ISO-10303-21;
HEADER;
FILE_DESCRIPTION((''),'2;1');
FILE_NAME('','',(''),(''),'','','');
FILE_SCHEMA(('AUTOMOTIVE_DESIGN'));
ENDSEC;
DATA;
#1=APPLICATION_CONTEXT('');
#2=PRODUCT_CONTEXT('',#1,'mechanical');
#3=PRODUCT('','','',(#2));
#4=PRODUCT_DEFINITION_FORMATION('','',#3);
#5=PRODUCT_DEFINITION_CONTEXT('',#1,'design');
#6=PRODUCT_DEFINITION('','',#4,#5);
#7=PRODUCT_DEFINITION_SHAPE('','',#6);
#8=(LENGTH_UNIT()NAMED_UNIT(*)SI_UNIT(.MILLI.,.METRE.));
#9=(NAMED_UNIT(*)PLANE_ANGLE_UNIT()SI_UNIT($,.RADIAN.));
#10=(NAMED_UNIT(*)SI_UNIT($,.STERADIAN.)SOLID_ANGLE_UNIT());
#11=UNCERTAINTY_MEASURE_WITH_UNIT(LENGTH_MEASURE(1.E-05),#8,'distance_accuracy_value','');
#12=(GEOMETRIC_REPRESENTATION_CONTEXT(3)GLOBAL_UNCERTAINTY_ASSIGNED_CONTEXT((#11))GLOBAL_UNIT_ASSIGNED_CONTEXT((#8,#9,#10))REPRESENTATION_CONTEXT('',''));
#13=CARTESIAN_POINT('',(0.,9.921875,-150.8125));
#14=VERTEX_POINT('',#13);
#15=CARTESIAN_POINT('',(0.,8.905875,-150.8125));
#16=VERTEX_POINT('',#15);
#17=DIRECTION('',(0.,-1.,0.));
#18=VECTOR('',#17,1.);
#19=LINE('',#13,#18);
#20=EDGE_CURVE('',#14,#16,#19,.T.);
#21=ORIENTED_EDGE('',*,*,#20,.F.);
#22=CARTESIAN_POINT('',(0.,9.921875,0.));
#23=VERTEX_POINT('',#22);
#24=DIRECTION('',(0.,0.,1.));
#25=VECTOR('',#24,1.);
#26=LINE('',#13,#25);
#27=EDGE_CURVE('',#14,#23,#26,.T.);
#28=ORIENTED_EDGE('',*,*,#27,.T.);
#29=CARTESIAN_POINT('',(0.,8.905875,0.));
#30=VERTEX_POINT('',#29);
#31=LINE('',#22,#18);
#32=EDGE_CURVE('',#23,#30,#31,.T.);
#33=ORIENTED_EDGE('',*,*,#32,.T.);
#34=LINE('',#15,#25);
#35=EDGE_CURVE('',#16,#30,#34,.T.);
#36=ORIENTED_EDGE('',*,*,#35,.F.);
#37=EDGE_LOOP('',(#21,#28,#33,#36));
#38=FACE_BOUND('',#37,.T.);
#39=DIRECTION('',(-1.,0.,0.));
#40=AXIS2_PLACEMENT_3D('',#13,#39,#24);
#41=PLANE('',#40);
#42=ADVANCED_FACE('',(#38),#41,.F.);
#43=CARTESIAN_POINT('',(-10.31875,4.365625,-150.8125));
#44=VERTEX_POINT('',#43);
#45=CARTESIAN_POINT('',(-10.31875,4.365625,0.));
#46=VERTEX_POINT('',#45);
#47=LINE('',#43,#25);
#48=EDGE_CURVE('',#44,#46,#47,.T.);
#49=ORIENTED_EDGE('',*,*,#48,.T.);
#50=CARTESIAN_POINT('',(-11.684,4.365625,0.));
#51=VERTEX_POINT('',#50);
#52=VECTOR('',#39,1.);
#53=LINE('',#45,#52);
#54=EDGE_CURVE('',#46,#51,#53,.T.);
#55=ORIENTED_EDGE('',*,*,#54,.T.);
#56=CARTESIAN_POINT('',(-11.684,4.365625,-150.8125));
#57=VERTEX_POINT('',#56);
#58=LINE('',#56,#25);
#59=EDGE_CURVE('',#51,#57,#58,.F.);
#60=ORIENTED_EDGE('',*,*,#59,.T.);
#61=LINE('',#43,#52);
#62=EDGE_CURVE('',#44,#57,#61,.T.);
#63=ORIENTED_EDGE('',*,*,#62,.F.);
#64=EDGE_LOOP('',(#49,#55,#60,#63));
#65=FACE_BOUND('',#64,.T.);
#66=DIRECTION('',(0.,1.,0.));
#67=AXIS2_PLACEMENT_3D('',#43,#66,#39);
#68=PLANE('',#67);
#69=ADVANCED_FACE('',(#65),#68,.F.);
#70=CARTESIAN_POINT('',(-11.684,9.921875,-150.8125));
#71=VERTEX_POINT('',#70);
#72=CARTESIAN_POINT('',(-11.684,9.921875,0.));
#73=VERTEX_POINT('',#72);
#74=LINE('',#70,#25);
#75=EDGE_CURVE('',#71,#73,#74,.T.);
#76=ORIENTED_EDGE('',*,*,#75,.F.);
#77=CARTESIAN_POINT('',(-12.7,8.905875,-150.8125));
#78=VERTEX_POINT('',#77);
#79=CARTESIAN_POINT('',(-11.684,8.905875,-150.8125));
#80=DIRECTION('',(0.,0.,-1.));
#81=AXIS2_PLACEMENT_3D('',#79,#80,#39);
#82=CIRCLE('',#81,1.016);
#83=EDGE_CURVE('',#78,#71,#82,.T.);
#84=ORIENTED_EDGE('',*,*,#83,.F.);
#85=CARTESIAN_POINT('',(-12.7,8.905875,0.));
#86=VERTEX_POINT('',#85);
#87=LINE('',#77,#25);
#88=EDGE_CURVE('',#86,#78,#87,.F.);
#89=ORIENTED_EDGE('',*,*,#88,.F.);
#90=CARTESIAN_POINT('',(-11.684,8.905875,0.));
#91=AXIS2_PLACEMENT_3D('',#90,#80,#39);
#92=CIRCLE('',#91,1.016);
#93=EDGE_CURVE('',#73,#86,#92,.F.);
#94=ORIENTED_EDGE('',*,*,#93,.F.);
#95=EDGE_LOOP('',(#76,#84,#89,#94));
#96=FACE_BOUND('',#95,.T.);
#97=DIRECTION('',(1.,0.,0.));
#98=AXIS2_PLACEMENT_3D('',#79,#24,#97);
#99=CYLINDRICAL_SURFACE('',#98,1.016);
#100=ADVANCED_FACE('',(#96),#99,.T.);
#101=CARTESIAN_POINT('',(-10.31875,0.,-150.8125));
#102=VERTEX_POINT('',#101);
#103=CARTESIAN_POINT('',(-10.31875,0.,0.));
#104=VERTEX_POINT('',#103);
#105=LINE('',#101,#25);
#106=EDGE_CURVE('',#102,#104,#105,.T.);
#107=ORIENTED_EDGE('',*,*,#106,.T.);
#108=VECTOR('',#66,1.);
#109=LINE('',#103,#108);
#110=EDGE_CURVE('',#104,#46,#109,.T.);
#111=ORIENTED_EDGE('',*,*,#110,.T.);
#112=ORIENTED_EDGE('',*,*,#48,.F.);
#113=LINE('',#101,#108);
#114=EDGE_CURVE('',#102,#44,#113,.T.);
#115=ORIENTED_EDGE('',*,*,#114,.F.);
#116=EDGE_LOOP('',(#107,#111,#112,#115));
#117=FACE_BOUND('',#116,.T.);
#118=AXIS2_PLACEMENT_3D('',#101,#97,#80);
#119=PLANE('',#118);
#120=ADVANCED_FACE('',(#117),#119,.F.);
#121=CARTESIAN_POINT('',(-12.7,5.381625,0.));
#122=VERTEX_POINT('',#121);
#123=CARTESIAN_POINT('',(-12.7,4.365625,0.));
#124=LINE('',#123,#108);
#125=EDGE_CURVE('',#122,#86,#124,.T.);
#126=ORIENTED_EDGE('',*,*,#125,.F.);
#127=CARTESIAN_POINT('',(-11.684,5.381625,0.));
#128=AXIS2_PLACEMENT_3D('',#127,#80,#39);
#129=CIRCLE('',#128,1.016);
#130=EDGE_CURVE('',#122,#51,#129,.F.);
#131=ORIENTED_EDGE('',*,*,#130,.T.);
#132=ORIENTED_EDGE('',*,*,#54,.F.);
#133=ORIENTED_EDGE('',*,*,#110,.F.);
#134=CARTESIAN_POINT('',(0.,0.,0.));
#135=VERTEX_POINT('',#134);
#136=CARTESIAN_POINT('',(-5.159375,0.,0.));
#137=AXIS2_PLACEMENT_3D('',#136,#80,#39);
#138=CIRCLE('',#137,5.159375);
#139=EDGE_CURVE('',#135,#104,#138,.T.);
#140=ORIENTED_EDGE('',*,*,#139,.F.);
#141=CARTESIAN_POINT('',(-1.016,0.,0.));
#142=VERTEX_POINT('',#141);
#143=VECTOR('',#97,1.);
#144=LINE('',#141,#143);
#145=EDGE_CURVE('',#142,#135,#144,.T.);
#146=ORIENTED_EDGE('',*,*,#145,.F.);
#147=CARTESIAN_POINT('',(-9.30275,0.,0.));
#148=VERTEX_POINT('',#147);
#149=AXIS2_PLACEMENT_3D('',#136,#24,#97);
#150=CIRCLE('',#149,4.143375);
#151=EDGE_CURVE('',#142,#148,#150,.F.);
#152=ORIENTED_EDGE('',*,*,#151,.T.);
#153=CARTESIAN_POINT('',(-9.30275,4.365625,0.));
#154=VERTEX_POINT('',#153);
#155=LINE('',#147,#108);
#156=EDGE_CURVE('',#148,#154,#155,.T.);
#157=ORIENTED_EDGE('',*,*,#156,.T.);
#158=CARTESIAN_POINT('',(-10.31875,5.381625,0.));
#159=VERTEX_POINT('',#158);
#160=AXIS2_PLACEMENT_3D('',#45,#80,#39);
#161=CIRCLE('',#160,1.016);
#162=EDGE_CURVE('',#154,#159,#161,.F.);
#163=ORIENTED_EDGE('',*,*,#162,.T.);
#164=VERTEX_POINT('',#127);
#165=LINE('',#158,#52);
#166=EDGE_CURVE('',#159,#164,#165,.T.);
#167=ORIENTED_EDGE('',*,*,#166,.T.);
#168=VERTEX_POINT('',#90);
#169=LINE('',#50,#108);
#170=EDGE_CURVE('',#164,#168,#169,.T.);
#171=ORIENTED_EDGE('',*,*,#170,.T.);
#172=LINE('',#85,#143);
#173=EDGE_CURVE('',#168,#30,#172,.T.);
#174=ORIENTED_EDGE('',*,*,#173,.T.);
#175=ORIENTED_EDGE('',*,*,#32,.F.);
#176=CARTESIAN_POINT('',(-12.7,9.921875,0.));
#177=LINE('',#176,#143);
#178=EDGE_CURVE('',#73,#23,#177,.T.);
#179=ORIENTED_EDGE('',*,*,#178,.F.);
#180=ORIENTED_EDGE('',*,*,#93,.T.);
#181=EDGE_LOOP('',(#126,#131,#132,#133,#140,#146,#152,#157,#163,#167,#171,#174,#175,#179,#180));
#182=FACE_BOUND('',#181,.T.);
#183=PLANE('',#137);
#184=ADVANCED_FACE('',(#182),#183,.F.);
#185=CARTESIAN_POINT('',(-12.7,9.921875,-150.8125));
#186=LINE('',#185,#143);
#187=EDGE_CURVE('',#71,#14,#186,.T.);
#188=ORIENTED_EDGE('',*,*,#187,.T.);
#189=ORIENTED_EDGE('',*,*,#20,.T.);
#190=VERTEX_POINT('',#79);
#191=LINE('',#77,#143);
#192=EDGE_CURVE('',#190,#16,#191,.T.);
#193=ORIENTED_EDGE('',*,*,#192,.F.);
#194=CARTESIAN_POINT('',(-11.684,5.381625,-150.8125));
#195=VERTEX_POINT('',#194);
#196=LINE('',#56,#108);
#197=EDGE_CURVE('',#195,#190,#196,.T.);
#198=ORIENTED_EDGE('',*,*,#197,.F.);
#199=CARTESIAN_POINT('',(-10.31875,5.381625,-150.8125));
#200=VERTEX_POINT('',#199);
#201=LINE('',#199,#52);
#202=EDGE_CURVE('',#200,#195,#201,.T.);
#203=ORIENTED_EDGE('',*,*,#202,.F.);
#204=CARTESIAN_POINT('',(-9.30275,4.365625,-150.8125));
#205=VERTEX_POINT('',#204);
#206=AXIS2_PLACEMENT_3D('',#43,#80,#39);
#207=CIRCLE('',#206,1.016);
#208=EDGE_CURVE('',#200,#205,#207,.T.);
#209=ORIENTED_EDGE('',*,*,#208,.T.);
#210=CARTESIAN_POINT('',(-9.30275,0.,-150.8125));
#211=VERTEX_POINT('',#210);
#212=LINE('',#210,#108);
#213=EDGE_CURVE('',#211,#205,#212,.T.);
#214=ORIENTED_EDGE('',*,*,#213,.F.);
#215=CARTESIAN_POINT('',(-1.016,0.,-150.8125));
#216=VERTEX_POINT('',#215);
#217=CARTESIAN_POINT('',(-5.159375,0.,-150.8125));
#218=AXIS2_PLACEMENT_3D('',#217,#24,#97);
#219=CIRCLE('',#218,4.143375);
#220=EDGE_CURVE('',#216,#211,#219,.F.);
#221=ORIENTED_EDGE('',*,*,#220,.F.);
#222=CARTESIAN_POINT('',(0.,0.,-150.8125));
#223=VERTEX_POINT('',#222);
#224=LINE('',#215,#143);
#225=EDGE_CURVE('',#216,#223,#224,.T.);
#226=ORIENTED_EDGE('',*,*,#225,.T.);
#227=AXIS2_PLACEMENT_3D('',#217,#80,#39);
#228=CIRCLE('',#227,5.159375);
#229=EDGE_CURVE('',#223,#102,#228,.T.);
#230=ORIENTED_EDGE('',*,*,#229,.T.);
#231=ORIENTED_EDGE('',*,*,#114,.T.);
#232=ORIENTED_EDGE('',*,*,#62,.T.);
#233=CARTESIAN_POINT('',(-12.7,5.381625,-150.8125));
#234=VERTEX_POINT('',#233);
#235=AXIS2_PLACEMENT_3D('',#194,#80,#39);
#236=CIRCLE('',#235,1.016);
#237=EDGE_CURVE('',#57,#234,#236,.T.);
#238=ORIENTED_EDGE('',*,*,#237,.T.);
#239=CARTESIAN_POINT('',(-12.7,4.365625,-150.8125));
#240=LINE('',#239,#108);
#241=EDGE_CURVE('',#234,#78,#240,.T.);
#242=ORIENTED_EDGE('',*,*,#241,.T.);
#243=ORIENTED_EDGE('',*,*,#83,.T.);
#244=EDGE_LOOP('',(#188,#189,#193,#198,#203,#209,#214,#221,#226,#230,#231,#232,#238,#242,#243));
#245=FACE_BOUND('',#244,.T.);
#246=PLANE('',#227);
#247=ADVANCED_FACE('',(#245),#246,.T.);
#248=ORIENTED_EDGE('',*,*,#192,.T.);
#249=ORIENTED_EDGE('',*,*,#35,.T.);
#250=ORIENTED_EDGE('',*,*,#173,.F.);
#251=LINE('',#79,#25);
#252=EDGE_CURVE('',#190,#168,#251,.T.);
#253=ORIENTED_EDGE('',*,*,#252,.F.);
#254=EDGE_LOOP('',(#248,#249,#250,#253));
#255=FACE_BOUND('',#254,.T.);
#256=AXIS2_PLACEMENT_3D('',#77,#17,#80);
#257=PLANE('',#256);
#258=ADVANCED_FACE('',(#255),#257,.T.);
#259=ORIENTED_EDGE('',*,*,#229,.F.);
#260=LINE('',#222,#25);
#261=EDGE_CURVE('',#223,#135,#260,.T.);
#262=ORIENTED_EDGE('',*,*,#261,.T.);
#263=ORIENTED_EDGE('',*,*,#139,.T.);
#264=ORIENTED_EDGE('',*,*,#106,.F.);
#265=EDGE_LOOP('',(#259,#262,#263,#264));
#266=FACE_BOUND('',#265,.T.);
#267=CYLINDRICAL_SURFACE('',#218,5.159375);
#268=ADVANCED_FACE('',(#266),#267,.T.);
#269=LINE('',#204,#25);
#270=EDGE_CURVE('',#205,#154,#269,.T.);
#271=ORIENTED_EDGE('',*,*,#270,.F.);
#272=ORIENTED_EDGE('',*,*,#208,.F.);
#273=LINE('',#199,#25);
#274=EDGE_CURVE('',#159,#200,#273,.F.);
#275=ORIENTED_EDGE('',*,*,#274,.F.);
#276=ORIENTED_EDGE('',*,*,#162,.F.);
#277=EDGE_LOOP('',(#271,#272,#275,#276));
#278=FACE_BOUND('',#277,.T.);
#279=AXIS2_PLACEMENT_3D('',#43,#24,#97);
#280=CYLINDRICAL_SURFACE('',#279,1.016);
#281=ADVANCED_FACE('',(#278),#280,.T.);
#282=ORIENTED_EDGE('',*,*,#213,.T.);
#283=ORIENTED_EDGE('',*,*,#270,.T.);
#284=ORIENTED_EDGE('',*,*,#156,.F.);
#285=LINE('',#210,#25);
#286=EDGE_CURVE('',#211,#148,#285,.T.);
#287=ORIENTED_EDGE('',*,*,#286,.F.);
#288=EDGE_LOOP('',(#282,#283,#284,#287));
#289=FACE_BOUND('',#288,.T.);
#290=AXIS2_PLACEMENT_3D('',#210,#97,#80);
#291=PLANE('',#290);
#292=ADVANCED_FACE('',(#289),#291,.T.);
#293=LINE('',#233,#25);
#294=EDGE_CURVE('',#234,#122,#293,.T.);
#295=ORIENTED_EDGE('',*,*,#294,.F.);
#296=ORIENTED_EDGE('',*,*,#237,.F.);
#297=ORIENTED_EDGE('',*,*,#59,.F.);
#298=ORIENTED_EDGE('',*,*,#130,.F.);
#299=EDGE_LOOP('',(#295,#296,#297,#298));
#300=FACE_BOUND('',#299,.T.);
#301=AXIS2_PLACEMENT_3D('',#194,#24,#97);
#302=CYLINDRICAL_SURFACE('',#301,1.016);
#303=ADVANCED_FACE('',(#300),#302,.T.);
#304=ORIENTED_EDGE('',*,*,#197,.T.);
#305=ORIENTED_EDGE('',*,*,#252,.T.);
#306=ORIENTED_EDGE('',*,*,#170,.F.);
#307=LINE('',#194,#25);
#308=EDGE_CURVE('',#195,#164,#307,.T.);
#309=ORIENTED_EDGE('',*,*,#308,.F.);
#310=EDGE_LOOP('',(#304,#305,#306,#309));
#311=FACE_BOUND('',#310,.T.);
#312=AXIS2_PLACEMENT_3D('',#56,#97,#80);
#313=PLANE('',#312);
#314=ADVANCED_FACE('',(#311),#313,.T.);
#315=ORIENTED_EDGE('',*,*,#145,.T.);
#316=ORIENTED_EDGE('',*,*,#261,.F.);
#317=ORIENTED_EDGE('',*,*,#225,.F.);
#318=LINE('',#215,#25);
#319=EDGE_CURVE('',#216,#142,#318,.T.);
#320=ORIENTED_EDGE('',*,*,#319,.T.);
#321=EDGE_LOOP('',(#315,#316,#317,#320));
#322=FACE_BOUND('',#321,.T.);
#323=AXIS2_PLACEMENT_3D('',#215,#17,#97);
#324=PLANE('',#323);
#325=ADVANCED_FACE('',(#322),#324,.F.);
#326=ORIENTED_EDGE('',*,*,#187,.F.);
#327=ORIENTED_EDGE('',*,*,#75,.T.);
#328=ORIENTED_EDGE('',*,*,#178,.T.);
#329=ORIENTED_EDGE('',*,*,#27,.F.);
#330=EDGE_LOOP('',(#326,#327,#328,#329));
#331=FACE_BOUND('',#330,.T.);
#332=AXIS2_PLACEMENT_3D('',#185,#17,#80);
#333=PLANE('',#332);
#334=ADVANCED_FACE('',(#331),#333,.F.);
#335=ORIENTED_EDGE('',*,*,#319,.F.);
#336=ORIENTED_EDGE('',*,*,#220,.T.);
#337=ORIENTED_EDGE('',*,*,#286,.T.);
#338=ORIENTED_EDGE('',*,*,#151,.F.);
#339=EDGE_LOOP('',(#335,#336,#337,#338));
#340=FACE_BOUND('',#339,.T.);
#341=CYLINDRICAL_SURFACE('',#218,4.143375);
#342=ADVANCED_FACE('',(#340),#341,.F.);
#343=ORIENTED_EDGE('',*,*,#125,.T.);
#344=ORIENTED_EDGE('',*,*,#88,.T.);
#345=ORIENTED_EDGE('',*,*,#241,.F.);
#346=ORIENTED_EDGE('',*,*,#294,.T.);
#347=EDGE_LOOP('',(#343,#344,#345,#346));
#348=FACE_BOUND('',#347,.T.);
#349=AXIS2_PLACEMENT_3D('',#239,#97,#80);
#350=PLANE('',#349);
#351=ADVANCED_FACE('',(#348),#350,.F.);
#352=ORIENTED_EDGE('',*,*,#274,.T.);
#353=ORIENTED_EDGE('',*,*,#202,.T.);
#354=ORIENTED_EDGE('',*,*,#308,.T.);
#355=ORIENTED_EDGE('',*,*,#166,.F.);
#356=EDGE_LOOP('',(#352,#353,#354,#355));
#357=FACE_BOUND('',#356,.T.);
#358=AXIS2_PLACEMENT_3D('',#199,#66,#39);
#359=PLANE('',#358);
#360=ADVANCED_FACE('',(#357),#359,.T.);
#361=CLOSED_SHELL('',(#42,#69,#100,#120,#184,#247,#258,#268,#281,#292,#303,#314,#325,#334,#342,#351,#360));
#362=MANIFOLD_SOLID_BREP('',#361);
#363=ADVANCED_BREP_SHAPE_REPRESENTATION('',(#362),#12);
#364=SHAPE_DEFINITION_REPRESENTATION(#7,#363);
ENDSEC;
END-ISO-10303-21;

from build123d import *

# Parameters (mm, degrees)
EXTRUDE_THIN1_DEPTH = 150.8125
FILLET1_R           = 1.016


with BuildPart() as part:
    # Sketch1 → Extrude-Thin1 (new body)
    with BuildSketch(Plane.XY):
        with BuildLine():
            ThreePointArc((0, 0), (-5.159375, -5.159375), (-10.31875, 0))
            Line((-10.31875, 0), (-10.31875, 4.365625))
            Line((-10.31875, 4.365625), (-12.7, 4.365625))
            Line((-12.7, 4.365625), (-12.7, 9.921875))
            Line((-12.7, 9.921875), (0, 9.921875))
            Line((0, 9.921875), (0, 8.905875))
            Line((0, 8.905875), (-11.684, 8.905875))
            Line((-11.684, 8.905875), (-11.684, 5.381625))
            Line((-11.684, 5.381625), (-9.30275, 5.381625))
            Line((-9.30275, 5.381625), (-9.30275, 0))
            ThreePointArc((-9.30275, 0), (-5.159375, -4.143375), (-1.016, 0))
            Line((-1.016, 0), (0, 0))
        make_face()
    extrude(amount=-EXTRUDE_THIN1_DEPTH)

    # Fillet1
    fillet1_edges = [part.edges().sort_by_distance(p)[0] for p in [
        (-9.30275, 5.381625, -75.40625),
        (-12.7, 4.365625, -75.40625),
        (-12.7, 9.921875, -75.40625),
    ]]
    fillet(fillet1_edges, radius=FILLET1_R)


solid = part.part
